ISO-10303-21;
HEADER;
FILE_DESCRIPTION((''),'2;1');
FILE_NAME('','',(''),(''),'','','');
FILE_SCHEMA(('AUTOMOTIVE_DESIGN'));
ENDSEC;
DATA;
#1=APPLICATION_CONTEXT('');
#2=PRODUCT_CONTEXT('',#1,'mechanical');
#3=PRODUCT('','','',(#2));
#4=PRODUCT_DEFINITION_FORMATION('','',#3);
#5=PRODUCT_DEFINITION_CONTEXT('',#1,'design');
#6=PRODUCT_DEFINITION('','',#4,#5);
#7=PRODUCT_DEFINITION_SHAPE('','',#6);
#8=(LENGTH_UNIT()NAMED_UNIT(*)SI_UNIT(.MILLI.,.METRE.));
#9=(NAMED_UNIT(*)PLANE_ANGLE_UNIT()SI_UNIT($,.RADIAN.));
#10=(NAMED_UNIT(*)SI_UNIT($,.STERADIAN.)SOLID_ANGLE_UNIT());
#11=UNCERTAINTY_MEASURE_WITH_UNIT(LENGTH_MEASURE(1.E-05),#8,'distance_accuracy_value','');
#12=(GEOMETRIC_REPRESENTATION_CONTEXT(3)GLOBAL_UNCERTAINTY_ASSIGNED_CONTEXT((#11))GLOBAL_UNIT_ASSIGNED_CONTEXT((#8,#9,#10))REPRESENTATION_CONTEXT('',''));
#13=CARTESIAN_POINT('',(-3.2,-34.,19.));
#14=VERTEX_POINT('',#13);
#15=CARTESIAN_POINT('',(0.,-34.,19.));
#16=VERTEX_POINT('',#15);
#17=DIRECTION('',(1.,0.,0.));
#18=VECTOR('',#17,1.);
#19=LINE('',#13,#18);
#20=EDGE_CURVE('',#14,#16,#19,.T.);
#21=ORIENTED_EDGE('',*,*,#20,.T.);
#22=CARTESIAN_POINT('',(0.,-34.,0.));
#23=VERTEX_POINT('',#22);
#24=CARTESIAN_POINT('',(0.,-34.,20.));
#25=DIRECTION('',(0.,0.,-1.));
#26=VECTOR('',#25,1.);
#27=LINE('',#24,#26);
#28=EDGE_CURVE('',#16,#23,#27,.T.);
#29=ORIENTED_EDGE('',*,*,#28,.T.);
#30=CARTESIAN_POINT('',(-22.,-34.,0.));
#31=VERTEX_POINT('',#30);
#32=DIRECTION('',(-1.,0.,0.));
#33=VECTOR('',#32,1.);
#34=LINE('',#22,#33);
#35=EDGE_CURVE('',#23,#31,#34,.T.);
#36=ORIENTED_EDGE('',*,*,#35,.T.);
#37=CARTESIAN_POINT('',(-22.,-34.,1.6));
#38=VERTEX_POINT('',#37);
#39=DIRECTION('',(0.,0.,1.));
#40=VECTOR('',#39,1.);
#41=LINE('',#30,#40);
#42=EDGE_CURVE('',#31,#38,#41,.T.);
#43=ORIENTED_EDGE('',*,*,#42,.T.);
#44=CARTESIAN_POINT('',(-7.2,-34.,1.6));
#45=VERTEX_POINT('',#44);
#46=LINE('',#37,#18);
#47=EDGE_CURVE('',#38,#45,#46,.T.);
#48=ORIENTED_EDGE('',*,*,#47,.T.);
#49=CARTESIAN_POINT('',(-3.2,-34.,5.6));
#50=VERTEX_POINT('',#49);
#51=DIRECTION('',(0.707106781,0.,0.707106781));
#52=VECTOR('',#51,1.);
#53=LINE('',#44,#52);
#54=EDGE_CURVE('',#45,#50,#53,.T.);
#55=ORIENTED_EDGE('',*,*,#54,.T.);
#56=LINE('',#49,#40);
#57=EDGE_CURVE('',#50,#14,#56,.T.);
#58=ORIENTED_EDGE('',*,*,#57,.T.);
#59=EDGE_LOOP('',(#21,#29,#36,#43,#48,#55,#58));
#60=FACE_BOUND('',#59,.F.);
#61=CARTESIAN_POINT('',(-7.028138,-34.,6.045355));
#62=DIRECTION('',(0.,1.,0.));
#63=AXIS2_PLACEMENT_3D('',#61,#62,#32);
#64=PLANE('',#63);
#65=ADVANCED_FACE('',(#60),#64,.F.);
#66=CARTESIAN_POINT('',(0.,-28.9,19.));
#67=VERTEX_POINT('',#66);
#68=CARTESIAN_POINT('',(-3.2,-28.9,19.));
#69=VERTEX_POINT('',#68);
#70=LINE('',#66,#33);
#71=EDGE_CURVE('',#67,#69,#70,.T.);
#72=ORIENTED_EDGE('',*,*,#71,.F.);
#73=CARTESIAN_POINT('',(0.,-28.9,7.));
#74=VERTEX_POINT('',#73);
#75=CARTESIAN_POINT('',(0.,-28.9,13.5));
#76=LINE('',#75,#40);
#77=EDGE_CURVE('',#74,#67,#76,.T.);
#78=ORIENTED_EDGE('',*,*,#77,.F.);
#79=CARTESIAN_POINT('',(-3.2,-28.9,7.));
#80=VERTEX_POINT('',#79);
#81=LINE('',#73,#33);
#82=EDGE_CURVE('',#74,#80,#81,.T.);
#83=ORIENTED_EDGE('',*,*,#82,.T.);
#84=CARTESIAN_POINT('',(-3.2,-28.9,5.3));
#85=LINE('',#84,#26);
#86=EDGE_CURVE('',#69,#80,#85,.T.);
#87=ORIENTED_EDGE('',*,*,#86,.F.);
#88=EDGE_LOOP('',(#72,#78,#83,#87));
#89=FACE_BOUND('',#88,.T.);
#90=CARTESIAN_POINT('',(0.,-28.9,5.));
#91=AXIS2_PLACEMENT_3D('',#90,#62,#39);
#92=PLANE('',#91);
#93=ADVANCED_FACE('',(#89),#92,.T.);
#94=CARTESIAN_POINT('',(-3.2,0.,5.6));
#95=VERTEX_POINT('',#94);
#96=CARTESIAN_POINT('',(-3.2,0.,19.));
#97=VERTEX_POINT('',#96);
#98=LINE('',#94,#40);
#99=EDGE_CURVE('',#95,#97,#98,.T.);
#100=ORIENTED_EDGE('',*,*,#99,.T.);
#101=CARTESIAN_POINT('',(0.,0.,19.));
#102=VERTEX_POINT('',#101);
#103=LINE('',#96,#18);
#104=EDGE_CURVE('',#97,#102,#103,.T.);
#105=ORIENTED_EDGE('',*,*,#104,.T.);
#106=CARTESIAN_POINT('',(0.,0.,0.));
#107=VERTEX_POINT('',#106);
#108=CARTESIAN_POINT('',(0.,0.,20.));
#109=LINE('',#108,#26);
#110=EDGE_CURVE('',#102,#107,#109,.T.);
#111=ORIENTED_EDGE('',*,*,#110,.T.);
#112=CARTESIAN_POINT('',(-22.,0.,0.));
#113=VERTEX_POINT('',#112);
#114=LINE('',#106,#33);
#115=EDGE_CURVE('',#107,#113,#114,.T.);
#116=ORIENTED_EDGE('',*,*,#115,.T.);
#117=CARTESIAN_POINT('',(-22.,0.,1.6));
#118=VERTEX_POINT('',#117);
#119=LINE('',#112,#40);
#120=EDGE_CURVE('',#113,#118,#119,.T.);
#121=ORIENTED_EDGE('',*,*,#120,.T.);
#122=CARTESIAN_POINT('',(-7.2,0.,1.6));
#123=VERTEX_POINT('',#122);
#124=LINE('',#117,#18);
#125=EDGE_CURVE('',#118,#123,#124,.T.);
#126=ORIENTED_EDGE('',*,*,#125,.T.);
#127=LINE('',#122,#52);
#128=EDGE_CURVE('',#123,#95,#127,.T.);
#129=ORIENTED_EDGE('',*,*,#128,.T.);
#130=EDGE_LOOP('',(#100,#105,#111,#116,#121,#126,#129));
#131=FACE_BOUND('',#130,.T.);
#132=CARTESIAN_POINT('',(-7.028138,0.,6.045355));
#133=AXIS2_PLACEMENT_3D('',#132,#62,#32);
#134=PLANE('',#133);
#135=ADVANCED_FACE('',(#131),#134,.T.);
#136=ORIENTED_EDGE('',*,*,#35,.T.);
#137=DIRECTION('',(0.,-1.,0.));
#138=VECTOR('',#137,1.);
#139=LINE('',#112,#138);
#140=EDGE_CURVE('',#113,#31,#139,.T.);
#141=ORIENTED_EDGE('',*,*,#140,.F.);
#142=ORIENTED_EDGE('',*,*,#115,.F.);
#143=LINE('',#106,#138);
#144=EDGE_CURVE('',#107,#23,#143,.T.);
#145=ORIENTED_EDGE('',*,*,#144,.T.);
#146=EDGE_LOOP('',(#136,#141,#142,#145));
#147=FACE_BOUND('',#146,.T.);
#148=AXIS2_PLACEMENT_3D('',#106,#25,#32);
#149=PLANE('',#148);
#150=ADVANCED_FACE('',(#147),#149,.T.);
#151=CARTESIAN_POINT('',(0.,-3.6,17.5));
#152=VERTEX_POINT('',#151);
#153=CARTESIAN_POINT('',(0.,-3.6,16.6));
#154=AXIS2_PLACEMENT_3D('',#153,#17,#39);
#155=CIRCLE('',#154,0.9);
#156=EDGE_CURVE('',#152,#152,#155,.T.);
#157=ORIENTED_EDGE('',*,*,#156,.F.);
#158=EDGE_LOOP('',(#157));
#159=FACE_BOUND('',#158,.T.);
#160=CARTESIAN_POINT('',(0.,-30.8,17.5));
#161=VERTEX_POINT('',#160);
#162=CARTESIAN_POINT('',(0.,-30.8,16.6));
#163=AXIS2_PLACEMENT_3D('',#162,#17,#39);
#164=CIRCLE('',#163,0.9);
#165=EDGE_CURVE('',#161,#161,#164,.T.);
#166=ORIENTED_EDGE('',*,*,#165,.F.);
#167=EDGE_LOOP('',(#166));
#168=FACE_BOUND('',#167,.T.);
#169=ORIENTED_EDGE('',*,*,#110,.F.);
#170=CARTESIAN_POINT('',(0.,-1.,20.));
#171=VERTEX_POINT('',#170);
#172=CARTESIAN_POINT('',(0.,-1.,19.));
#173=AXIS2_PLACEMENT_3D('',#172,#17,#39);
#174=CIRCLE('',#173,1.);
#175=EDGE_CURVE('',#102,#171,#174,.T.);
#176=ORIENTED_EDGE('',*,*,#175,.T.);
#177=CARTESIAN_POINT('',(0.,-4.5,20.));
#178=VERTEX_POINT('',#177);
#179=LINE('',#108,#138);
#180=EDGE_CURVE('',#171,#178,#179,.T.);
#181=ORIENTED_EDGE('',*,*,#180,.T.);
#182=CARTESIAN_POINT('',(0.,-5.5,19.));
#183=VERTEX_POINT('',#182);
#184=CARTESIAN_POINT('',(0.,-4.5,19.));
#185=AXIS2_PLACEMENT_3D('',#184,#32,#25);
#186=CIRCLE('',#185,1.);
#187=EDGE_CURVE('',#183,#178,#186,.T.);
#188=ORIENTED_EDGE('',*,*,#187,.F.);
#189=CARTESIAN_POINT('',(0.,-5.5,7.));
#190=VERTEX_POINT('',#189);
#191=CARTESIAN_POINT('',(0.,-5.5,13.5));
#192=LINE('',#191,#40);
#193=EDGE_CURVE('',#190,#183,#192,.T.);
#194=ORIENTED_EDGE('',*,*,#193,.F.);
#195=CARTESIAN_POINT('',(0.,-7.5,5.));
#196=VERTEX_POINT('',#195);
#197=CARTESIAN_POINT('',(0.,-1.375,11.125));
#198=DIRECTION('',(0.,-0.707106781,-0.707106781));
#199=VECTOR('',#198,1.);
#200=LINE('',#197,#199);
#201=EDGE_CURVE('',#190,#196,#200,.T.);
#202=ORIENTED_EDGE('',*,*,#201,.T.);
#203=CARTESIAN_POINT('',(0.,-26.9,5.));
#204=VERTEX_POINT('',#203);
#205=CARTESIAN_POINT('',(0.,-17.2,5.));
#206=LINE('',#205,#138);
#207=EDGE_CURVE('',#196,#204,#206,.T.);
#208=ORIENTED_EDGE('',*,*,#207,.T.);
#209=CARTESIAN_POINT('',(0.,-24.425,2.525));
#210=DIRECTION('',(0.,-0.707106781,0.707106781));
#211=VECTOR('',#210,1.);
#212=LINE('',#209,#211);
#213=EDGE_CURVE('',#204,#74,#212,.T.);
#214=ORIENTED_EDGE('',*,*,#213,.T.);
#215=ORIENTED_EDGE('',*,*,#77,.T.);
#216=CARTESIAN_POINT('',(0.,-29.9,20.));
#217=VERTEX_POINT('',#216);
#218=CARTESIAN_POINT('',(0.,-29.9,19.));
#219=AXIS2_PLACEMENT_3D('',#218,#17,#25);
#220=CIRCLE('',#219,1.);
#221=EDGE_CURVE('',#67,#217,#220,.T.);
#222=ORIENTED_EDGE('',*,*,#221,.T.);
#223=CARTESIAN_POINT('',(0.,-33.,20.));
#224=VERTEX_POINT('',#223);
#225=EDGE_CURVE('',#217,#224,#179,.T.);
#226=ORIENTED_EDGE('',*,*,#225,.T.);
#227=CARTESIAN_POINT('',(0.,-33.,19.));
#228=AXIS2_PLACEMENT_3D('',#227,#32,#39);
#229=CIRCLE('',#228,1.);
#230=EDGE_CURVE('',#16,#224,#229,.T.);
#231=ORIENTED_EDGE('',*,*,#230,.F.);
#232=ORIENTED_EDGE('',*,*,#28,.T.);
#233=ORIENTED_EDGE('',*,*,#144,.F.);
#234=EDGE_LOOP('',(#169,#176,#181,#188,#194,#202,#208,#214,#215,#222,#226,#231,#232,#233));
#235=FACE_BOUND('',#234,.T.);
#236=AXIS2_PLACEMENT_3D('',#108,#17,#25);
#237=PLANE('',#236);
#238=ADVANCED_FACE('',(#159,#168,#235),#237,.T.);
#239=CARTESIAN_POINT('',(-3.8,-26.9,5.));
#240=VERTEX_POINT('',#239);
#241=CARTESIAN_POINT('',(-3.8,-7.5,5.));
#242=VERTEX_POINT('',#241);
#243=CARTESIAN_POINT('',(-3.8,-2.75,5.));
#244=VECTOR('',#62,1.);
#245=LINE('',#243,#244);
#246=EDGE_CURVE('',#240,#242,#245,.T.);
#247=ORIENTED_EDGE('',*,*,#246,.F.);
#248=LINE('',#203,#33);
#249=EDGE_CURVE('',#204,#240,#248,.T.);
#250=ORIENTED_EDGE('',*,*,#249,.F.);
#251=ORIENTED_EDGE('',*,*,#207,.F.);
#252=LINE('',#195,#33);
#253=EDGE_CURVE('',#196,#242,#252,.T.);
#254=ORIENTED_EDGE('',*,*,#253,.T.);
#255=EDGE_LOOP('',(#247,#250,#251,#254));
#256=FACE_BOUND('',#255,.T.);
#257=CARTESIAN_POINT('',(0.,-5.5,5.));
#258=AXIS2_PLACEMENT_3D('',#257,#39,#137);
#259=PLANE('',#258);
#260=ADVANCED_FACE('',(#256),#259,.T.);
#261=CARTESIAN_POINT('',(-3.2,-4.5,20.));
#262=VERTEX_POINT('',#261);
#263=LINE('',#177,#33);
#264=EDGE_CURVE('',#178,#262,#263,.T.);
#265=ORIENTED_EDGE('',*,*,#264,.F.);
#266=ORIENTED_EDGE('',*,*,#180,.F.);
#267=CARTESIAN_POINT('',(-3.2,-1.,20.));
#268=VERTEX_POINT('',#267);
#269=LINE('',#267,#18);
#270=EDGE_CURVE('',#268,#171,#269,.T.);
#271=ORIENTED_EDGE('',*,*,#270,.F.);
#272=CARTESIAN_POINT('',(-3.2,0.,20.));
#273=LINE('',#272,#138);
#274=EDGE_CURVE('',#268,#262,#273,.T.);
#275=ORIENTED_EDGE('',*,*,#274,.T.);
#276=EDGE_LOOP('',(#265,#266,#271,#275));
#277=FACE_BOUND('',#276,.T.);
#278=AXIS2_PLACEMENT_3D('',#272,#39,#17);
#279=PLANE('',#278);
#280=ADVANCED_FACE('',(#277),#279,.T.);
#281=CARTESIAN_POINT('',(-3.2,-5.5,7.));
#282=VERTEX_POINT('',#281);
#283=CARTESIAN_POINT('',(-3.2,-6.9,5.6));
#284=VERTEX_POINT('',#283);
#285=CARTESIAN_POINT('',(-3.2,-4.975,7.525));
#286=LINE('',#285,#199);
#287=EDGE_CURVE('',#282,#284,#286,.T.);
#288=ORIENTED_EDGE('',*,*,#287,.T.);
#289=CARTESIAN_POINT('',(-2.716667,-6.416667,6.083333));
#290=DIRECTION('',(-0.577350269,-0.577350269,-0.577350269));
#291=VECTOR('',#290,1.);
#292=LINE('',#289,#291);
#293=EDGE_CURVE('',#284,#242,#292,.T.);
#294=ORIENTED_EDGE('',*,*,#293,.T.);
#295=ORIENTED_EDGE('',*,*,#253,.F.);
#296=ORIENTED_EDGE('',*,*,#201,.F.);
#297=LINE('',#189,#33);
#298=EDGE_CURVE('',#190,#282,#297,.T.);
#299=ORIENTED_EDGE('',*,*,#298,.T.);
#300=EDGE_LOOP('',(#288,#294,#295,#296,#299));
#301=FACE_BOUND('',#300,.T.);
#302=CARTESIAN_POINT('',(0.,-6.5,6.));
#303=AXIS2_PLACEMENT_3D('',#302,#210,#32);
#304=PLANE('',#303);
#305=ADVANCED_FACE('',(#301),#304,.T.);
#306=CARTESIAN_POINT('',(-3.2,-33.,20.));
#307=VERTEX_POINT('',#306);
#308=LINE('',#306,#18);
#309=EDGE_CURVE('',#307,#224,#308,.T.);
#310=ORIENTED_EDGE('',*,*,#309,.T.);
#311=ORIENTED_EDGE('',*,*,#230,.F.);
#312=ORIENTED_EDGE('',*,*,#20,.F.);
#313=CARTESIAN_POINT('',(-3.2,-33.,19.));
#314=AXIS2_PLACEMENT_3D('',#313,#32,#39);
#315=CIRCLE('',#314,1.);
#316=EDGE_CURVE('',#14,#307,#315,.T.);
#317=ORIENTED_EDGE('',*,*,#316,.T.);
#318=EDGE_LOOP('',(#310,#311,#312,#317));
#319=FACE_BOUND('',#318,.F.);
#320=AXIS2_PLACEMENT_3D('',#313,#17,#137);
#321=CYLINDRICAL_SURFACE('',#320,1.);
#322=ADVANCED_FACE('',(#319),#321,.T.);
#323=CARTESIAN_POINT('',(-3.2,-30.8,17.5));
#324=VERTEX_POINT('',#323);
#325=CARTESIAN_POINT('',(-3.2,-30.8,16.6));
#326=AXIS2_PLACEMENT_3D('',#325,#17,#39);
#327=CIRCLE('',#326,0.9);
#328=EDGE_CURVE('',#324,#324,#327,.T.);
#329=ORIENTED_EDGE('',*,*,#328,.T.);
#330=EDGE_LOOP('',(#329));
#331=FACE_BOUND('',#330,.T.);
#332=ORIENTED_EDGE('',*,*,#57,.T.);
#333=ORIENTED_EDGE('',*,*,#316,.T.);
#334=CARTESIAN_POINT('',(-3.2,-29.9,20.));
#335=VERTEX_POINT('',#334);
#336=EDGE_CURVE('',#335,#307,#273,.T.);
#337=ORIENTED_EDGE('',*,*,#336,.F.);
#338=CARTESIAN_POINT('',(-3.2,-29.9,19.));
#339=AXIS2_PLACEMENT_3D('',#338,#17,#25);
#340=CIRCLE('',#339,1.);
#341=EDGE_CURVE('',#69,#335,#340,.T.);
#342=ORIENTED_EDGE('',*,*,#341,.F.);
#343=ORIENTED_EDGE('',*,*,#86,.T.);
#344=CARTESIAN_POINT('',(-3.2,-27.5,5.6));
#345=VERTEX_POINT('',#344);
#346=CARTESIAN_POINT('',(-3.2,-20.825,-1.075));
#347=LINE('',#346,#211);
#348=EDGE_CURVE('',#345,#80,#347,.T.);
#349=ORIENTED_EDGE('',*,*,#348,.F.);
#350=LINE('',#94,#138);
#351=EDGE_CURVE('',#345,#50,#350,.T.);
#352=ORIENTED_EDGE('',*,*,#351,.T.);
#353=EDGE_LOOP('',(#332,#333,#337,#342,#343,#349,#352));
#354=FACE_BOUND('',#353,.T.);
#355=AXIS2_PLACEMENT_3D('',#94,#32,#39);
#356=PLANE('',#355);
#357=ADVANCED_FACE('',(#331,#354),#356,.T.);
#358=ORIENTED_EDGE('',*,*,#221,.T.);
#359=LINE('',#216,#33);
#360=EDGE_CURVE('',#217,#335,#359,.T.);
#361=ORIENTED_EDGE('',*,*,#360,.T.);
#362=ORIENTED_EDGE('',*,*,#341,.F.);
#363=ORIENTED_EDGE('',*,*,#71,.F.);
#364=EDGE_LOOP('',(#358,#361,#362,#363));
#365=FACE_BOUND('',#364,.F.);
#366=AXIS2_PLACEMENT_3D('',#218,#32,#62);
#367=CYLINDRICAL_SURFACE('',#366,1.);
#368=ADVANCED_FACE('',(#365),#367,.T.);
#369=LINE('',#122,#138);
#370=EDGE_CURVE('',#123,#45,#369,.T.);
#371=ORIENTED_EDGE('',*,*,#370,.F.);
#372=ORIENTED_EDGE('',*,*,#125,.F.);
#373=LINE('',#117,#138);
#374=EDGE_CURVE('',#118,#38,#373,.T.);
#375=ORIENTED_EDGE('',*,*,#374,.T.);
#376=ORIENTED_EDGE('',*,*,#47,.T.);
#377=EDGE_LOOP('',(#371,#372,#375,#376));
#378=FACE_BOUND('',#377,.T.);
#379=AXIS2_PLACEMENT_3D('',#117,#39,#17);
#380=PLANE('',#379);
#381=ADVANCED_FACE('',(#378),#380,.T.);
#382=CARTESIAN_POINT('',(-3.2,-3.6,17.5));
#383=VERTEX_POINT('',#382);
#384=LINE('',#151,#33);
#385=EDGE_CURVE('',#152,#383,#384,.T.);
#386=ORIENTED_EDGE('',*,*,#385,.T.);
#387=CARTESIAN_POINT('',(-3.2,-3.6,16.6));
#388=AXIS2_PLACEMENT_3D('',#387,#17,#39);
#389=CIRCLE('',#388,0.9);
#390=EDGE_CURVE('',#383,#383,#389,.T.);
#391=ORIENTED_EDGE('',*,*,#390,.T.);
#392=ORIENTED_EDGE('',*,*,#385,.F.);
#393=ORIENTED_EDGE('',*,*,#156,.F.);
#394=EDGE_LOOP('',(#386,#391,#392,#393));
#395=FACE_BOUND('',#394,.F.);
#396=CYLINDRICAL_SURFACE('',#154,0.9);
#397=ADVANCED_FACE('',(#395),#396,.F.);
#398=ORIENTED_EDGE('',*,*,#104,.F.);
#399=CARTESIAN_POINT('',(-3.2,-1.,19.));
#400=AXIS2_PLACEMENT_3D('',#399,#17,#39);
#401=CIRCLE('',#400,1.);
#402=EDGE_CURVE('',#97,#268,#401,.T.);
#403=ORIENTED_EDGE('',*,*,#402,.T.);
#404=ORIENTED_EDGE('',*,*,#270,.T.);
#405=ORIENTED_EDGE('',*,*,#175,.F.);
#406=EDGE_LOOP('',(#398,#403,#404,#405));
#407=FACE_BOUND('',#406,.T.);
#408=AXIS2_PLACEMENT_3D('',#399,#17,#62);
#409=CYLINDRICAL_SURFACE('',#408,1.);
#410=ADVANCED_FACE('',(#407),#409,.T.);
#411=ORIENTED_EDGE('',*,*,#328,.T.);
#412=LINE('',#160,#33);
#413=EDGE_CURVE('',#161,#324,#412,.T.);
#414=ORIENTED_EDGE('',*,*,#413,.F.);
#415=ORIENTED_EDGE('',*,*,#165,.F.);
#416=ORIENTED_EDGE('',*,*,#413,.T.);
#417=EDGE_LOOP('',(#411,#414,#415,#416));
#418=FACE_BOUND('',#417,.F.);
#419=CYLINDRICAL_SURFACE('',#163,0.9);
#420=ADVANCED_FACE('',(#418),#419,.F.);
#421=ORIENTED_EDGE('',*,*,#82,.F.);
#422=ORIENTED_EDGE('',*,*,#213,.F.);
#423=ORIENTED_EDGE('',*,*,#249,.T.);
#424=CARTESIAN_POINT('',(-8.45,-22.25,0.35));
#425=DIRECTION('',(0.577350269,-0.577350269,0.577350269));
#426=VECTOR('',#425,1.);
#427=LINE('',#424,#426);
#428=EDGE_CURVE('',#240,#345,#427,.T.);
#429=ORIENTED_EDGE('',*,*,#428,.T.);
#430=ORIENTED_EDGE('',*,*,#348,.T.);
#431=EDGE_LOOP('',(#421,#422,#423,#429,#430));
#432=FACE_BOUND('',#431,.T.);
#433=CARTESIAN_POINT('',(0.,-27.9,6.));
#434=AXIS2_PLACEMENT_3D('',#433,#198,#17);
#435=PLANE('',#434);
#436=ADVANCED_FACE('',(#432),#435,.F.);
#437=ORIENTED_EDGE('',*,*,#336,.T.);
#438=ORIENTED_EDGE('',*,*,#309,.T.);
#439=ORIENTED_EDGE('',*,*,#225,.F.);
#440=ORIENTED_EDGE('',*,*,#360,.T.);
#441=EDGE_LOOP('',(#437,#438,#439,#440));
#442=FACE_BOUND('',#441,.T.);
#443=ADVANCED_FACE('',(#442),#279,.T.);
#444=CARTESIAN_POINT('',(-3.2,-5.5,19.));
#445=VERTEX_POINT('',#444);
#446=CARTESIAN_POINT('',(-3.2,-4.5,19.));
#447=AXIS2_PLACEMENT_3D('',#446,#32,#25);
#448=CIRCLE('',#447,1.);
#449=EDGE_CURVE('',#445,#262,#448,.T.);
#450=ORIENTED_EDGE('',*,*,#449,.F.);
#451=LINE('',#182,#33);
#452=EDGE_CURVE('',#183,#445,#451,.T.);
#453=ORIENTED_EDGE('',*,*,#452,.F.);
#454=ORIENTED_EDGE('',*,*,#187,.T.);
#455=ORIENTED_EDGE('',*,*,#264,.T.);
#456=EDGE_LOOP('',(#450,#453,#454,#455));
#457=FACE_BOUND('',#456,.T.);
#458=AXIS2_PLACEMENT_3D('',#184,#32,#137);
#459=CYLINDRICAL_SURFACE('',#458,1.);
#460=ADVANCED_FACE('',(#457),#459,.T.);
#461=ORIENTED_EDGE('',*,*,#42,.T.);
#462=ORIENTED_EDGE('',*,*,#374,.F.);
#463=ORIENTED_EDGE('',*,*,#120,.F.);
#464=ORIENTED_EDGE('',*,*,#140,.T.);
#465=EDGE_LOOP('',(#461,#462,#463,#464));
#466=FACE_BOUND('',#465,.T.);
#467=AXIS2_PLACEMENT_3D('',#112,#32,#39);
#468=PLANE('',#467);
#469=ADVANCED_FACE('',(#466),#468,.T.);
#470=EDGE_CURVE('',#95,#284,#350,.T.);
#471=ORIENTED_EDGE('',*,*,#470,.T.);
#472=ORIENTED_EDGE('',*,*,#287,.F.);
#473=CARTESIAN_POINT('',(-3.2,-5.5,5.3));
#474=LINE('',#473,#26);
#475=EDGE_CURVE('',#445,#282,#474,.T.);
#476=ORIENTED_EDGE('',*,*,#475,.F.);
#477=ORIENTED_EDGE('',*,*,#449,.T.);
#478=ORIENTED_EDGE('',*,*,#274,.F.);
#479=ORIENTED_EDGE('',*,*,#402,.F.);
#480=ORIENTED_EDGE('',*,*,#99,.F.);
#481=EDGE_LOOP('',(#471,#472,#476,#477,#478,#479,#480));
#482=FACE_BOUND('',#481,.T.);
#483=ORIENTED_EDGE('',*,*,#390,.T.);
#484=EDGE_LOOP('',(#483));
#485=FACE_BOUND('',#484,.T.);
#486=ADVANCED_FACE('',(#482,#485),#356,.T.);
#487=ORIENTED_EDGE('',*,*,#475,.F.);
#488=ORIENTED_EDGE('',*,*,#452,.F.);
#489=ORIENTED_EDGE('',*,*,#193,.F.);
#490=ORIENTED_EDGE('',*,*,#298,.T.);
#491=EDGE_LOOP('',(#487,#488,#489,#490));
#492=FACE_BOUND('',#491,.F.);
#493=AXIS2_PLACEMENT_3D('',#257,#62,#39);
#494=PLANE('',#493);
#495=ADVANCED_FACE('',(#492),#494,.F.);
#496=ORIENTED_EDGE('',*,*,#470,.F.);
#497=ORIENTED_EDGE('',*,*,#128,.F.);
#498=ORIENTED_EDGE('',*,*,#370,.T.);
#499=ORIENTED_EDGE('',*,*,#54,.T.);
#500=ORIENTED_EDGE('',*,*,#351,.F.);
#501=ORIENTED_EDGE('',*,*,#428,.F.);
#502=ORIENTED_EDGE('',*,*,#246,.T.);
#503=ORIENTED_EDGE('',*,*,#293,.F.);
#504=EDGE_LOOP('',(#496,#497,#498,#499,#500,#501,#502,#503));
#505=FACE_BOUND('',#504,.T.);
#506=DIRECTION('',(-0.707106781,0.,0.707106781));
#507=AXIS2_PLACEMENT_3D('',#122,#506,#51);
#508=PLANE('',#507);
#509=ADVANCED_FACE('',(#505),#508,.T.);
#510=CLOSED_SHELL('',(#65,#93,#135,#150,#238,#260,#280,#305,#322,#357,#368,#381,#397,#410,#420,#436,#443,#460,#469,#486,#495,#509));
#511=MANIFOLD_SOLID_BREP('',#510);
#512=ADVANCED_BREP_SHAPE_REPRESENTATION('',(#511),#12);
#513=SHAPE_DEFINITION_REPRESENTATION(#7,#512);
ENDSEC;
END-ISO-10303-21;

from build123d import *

# Parameters (mm, degrees)
PAD_DEPTH           = 34
PAD001_DEPTH        = 1.6
LINEARPATTERN_COUNT = 2
LINEARPATTERN_PITCH = 32.4
SKETCH_R            = 0.9
POCKET_DEPTH        = 22.001
SKETCH003_W         = 17
SKETCH003_H         = 23.4
POCKET001_DEPTH     = 22.001
FILLET_R            = 1
CHAMFER_SIZE        = 2


with BuildPart() as part:
    # Sketch001 → Pad (new body)
    with BuildSketch(Plane.XZ):
        Polygon((-22, 1.6), (-7.2, 1.6), (-3.2, 5.6), (-3.2, 20), (0, 20), (0, 0), (-22, 0), align=None)
    extrude(amount=PAD_DEPTH)

    # Sketch002 → Pad001 (join)
    with BuildSketch(Plane.XZ):
        Polygon((-6.6, 1.5), (-1.5, 6.6), (-1.5, 1.5), align=None)
    pad001 = extrude(amount=PAD001_DEPTH)

    # LinearPattern: Pad001 ×2
    with Locations(*[(0, -i * LINEARPATTERN_PITCH, 0) for i in range(1, LINEARPATTERN_COUNT)]):
        add(pad001)

    # Sketch (on DatumPlane) → Pocket (cut, through all)
    with BuildSketch(Plane(origin=(0, 0, 0), x_dir=(0, 0, 1), z_dir=(1, 0, 0))):
        with Locations((16.6, 30.8)):
            Circle(SKETCH_R)
        with Locations((16.6, 3.6)):
            Circle(SKETCH_R)
    extrude(amount=-POCKET_DEPTH, mode=Mode.SUBTRACT)

    # Sketch003 (on DatumPlane) → Pocket001 (cut, through all)
    with BuildSketch(Plane(origin=(0, 0, 0), x_dir=(0, 0, 1), z_dir=(1, 0, 0))):
        with Locations((13.5, 17.2)):
            Rectangle(SKETCH003_W, SKETCH003_H)
    extrude(amount=-POCKET001_DEPTH, mode=Mode.SUBTRACT)

    # Fillet
    fillet_edges = [part.edges().sort_by_distance(p)[0] for p in [
        (-1.6, -34, 20),
        (-1.6, -28.9, 20),
        (-1.6, -5.5, 20),
        (-1.6, 0, 20),
    ]]
    fillet(fillet_edges, radius=FILLET_R)

    # Chamfer
    chamfer_edges = [part.edges().sort_by_distance(p)[0] for p in [
        (-1.9, -28.9, 5),
        (-1.9, -5.5, 5),
    ]]
    chamfer(chamfer_edges, length=CHAMFER_SIZE)


solid = part.part
